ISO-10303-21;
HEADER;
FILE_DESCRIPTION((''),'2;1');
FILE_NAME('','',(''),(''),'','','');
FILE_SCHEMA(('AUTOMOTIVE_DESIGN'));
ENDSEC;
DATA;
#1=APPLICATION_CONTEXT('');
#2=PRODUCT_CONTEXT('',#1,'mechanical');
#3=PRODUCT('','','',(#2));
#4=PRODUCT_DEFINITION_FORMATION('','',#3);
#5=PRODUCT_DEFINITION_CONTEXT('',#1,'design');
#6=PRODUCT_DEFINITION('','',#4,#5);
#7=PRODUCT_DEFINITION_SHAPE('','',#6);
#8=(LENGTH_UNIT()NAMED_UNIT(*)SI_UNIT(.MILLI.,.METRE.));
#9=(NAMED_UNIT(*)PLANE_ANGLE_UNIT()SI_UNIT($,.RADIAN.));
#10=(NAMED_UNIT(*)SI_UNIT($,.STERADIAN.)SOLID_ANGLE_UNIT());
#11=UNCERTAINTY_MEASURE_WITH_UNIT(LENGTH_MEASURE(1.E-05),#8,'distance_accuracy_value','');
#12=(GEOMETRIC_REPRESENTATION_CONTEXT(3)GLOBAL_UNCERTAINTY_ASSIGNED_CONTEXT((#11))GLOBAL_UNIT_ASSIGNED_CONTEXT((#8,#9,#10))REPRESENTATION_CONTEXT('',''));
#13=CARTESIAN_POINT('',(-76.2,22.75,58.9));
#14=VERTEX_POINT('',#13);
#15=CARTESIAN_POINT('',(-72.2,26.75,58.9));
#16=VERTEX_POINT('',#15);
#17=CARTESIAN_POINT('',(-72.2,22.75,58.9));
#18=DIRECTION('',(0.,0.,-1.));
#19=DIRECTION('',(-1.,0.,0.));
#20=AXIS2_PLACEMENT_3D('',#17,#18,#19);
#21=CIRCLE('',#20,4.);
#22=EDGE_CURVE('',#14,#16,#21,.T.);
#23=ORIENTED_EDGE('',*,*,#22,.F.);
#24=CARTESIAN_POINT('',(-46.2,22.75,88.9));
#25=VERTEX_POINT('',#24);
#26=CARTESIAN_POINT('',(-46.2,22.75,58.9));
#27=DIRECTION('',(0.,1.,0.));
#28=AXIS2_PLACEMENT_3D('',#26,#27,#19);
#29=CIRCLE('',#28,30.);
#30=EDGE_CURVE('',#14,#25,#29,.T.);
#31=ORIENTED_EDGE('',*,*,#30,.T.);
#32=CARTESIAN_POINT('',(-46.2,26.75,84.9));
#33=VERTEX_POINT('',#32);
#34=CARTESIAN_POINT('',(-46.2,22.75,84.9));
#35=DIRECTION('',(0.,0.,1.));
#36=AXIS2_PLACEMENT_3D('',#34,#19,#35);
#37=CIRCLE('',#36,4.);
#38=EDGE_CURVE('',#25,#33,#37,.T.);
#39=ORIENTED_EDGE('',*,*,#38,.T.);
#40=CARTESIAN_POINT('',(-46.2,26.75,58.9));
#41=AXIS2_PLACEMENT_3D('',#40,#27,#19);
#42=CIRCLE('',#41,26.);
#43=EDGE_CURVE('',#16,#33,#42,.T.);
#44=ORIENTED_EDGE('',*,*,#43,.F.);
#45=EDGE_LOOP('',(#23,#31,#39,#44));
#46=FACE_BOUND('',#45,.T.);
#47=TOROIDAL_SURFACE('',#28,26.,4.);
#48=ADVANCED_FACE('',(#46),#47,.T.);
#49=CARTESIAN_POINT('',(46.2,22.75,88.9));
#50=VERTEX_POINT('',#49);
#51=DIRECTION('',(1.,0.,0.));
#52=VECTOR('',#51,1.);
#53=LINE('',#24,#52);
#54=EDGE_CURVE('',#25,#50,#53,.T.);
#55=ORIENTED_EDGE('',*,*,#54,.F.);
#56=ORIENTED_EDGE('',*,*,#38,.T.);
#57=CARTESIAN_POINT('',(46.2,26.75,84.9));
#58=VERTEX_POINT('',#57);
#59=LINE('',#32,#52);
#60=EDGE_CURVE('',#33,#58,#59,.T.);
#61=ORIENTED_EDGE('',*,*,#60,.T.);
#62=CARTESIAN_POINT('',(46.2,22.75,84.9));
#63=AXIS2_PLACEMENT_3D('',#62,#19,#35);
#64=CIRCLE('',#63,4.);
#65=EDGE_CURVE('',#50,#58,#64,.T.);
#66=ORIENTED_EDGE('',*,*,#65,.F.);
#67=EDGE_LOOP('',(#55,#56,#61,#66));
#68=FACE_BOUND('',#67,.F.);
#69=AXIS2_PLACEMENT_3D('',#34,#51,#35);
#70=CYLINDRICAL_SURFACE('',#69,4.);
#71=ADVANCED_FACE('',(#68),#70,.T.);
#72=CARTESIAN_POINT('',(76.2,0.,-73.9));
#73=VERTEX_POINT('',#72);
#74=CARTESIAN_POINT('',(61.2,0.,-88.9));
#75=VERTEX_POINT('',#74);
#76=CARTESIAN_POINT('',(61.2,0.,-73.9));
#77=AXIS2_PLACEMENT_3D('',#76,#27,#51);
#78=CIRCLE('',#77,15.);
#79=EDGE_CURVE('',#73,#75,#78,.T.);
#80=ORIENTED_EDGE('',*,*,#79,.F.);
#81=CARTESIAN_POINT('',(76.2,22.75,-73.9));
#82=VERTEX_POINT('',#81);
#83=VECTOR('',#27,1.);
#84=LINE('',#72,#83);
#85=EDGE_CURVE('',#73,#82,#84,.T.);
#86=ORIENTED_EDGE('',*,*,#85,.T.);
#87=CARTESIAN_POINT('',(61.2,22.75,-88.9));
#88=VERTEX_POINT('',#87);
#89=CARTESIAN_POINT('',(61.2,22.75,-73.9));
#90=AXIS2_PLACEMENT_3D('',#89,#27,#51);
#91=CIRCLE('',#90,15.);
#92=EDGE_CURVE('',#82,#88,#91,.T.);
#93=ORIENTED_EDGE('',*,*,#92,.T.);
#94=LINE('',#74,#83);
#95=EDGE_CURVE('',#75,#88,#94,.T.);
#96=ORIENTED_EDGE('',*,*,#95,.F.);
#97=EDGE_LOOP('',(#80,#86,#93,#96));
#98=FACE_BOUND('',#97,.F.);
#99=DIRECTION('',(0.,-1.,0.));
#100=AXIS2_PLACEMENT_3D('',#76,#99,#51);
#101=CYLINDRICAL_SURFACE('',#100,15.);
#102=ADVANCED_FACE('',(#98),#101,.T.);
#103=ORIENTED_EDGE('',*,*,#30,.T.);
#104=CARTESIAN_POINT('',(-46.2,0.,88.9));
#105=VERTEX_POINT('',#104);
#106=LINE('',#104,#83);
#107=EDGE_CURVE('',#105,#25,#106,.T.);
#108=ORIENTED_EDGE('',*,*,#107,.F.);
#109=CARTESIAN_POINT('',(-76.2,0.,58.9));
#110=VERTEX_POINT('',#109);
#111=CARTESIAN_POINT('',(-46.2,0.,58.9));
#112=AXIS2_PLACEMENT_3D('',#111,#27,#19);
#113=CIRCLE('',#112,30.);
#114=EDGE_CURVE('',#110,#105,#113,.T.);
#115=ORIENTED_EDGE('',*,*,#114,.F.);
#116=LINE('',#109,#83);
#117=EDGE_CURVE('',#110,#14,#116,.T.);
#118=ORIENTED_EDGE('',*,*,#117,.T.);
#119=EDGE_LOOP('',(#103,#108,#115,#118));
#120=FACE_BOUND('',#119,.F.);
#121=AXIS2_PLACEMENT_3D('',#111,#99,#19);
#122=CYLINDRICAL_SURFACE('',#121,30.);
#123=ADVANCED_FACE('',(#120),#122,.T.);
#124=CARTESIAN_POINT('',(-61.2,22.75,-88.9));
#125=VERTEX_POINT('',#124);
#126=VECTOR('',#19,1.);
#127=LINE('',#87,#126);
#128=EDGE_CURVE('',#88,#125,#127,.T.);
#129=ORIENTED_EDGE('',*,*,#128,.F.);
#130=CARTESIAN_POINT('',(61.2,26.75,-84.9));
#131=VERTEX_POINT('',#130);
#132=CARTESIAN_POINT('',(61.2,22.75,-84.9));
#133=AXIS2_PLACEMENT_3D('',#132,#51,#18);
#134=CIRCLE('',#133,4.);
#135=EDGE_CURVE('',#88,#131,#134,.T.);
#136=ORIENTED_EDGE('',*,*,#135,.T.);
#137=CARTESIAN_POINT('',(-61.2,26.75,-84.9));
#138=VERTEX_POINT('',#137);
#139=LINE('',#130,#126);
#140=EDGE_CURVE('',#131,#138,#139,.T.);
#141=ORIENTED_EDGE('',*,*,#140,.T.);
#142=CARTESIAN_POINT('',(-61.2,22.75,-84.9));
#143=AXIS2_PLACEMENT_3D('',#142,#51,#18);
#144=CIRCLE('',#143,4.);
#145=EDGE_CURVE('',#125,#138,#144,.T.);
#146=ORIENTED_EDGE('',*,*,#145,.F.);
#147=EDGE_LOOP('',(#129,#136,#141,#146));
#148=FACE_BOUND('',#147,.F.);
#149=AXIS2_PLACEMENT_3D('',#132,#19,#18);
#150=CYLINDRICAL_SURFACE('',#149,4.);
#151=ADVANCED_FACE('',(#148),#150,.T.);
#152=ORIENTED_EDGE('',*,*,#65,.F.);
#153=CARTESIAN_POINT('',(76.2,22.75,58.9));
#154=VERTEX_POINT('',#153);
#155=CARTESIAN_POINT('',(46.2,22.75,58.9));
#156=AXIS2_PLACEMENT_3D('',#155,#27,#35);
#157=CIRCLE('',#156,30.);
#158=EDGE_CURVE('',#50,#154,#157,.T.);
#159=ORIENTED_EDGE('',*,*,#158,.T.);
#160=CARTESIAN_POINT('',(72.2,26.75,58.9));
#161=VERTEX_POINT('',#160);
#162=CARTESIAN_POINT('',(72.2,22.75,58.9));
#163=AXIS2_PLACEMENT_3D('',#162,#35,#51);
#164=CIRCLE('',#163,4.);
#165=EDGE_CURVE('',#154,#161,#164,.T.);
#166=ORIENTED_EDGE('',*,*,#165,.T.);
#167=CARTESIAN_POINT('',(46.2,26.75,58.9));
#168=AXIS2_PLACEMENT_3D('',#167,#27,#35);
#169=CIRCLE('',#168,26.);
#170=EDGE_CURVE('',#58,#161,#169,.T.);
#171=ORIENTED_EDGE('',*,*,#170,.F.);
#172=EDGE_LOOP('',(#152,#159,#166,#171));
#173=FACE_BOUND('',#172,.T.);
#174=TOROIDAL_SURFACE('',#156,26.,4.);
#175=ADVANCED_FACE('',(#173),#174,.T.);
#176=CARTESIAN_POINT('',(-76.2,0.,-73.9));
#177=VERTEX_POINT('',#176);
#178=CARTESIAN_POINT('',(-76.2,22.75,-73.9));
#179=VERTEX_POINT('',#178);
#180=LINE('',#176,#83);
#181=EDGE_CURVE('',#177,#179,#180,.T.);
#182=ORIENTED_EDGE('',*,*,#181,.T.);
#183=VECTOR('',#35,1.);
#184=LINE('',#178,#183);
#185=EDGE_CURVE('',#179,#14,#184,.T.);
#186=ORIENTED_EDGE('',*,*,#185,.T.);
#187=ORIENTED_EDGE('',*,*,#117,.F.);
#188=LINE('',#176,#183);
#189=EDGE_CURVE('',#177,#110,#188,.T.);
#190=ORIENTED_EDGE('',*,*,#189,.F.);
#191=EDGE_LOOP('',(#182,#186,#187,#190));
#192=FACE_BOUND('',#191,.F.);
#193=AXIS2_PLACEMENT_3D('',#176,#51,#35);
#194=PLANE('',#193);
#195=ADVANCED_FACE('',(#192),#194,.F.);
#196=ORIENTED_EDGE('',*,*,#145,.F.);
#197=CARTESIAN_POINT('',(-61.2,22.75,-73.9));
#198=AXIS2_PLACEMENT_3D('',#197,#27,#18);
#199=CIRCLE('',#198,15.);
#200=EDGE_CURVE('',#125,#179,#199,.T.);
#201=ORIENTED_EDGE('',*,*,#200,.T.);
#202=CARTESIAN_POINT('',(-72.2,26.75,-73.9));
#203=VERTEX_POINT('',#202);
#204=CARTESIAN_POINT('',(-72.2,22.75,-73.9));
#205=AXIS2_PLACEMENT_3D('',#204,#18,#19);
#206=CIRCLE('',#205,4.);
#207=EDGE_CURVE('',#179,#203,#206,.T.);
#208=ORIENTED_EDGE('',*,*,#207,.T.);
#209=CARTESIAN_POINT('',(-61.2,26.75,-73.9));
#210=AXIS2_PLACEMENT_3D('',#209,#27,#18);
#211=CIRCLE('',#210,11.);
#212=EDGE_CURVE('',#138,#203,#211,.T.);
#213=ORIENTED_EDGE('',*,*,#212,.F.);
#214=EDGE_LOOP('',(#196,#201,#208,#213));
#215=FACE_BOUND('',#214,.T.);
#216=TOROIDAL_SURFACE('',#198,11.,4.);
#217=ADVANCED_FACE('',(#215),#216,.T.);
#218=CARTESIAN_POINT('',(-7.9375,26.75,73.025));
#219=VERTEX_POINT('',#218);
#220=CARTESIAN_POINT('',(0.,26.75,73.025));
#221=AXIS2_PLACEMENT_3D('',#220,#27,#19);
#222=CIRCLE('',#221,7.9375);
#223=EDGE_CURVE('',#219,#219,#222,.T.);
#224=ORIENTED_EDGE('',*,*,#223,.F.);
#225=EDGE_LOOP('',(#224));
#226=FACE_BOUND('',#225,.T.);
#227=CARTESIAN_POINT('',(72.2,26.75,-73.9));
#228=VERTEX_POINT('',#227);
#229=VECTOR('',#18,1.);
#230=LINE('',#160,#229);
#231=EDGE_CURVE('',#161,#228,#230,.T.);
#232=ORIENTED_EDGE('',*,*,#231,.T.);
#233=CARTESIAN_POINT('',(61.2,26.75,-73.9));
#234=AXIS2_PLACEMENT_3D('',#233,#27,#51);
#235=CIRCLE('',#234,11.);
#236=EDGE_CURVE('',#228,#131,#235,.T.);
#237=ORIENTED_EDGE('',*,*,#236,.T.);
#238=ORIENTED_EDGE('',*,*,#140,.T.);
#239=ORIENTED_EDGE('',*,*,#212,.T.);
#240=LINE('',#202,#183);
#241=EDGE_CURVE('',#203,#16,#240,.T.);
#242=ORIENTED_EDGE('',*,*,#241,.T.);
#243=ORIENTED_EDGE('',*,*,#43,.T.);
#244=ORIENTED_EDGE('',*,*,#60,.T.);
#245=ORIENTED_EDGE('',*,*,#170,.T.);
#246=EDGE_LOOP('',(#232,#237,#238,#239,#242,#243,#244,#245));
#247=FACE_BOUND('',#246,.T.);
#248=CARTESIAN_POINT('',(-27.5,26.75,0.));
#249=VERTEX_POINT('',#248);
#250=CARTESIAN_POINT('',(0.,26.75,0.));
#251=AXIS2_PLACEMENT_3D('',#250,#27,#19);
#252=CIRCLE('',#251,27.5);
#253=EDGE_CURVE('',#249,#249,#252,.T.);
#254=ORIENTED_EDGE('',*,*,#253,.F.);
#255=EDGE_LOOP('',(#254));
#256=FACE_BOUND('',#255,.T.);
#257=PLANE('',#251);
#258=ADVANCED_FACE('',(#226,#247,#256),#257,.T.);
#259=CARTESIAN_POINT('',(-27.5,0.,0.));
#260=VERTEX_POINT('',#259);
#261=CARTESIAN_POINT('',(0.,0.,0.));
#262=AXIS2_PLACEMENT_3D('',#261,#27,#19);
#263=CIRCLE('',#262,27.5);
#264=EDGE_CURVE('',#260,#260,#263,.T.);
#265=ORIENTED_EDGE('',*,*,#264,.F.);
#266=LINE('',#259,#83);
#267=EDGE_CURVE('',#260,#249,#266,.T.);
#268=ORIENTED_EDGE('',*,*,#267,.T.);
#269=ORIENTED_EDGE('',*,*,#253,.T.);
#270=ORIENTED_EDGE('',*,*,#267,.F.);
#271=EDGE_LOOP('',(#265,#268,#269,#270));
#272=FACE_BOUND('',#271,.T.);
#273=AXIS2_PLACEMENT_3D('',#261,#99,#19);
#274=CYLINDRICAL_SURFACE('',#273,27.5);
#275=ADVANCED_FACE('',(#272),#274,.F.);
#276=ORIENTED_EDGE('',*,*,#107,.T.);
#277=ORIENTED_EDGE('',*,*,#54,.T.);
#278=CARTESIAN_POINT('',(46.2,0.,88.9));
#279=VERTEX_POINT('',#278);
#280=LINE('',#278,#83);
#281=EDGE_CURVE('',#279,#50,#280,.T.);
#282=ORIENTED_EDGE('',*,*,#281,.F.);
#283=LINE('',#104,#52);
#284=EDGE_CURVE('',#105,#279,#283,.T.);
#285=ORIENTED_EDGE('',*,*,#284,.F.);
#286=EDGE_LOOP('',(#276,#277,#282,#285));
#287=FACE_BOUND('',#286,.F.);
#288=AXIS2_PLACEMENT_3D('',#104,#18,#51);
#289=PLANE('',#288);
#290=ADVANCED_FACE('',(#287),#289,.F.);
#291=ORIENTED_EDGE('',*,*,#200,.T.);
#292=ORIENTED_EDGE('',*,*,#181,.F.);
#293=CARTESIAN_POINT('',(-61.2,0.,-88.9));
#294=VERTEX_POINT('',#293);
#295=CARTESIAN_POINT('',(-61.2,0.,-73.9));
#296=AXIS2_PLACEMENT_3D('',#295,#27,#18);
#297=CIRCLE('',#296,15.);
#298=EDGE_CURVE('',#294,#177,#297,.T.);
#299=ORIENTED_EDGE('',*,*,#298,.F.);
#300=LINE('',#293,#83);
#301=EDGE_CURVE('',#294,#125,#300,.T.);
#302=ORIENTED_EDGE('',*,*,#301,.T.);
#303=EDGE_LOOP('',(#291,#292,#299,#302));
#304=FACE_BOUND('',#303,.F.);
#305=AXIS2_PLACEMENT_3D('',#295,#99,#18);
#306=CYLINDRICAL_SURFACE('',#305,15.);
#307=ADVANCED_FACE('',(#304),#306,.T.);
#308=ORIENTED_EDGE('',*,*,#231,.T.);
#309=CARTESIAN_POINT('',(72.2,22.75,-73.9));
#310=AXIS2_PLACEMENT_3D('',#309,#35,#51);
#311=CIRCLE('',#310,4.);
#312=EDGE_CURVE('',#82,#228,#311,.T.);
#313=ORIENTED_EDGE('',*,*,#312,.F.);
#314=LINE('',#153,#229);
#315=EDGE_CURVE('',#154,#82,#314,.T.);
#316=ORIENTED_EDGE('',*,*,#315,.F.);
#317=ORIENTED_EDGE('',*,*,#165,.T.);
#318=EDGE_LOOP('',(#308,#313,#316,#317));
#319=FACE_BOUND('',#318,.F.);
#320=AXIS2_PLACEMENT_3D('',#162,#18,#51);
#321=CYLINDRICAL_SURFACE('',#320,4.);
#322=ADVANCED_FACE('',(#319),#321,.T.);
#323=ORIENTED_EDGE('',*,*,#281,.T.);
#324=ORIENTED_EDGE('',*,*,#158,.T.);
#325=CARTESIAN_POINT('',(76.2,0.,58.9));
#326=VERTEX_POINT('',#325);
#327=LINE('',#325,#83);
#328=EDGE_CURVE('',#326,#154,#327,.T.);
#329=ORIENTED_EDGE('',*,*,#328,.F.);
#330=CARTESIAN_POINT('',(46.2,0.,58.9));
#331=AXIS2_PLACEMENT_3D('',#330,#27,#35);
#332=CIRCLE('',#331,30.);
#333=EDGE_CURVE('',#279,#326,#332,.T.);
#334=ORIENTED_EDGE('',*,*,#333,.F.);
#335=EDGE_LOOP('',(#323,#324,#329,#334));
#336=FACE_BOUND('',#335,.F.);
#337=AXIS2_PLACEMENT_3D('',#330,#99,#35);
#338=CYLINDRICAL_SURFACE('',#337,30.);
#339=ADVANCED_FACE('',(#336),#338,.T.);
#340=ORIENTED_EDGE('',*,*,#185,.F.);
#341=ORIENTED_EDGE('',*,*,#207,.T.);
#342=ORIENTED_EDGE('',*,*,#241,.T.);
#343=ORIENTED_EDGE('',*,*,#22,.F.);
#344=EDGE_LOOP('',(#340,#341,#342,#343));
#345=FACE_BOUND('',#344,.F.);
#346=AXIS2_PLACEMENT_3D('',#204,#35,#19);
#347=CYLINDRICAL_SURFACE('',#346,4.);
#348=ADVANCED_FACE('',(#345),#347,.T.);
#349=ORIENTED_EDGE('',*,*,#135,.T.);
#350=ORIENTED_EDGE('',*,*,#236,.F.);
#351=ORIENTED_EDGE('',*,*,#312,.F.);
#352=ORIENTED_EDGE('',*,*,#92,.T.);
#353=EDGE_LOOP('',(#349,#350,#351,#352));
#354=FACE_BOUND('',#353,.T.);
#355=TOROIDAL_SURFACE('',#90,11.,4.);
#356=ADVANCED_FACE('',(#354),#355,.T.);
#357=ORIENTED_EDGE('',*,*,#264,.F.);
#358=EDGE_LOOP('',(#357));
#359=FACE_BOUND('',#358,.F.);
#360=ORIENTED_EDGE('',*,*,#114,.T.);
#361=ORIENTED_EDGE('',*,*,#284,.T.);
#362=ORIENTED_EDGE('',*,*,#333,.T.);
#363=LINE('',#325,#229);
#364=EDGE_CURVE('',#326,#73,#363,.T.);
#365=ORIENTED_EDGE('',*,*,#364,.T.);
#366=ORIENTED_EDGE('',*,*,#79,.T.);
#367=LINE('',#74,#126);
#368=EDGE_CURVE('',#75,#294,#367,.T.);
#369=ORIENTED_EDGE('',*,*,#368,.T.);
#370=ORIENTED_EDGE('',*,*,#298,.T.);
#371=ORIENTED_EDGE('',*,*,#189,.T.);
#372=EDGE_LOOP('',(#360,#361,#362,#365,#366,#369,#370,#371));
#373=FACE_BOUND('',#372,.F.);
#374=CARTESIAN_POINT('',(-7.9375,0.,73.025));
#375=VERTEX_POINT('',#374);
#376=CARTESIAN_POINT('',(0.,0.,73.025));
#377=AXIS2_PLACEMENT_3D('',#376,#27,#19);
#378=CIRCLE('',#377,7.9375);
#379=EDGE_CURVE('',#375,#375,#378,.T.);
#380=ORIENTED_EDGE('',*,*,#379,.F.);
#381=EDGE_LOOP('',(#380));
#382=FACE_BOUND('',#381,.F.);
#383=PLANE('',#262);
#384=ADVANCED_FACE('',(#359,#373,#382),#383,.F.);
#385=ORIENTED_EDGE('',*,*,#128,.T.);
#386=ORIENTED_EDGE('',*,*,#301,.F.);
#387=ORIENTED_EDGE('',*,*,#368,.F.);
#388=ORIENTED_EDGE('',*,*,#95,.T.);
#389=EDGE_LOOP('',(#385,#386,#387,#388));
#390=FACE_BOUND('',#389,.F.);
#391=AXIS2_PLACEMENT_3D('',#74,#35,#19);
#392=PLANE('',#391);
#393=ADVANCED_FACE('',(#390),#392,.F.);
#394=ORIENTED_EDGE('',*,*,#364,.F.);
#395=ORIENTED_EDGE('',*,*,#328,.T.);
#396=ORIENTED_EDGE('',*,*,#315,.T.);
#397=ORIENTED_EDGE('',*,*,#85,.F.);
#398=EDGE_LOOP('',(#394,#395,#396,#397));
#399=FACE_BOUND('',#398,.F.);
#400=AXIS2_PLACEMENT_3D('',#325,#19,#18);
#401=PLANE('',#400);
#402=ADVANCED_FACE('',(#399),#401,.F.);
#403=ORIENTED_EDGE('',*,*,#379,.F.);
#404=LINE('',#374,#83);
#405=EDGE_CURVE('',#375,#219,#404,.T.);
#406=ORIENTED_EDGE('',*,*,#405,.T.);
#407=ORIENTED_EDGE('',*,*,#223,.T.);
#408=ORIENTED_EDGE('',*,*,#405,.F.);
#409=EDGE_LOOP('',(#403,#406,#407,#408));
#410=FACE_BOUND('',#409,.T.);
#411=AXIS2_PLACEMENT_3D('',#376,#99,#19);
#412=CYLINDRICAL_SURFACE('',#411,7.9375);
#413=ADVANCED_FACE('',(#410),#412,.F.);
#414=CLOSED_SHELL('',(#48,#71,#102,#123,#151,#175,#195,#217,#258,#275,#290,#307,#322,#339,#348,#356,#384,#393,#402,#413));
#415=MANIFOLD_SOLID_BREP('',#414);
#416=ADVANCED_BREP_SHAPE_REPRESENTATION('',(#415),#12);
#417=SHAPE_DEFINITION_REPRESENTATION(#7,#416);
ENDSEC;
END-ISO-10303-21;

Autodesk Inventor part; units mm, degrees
ref_plane "YZ Plane" through (0, 0, 0) normal (1, 0, 0) x (0, 1, 0)
ref_plane "XZ Plane" through (0, 0, 0) normal (0, 1, 0) x (-1, 0, 0)
ref_plane "XY Plane" through (0, 0, 0) normal (0, 0, 1) x (1, 0, 0)
sketch "Sketch1" plane through (0, 0, 0) normal (0, 1, 0) x (-1, 0, 0)
  line L0 (-61.2, -88.9) -> (61.2, -88.9)
  line L1 (76.2, -73.9) -> (76.2, 58.9)
  line L2 (46.2, 88.9) -> (-46.2, 88.9)
  line L3 (-76.2, 58.9) -> (-76.2, -73.9)
  line L4 (-76.2, -88.9) -> (76.2, 88.9) construction
  line L5 (76.2, -88.9) -> (-76.2, 88.9) construction
  arc A0 (76.2, 58.9) -> (46.2, 88.9) centre (46.2, 58.9) ccw
  arc A1 (-46.2, 88.9) -> (-76.2, 58.9) centre (-46.2, 58.9) ccw
  arc A2 (61.2, -88.9) -> (76.2, -73.9) centre (61.2, -73.9) ccw
  arc A3 (-76.2, -73.9) -> (-61.2, -88.9) centre (-61.2, -73.9) ccw
  circle A4 centre (0, 73.025) radius 7.9375
  circle A5 centre (0, 0) radius 27.5
  dimension "d0" = 177.8
  dimension "d1" = 152.4
  dimension "d2" = 30
  dimension "d3" = 15
  dimension "d4" = 15.875
  dimension "d5" = 15.875
  dimension "d9" = 55
extrude "Extrusion1" add sketch "Sketch1" along normal blind 26.75
fillet "Fillet1" radius 4 8 edges at (71.8066, 26.75, -84.5066) (0, 26.75, -88.9) (-71.8066, 26.75, -84.5066) (-76.2, 26.75, -7.5) (-67.4132, 26.75, 80.1132) (0, 26.75, 88.9) (67.4132, 26.75, 80.1132) (76.2, 26.75, -7.5)
properties part number "Durometer_Base"
